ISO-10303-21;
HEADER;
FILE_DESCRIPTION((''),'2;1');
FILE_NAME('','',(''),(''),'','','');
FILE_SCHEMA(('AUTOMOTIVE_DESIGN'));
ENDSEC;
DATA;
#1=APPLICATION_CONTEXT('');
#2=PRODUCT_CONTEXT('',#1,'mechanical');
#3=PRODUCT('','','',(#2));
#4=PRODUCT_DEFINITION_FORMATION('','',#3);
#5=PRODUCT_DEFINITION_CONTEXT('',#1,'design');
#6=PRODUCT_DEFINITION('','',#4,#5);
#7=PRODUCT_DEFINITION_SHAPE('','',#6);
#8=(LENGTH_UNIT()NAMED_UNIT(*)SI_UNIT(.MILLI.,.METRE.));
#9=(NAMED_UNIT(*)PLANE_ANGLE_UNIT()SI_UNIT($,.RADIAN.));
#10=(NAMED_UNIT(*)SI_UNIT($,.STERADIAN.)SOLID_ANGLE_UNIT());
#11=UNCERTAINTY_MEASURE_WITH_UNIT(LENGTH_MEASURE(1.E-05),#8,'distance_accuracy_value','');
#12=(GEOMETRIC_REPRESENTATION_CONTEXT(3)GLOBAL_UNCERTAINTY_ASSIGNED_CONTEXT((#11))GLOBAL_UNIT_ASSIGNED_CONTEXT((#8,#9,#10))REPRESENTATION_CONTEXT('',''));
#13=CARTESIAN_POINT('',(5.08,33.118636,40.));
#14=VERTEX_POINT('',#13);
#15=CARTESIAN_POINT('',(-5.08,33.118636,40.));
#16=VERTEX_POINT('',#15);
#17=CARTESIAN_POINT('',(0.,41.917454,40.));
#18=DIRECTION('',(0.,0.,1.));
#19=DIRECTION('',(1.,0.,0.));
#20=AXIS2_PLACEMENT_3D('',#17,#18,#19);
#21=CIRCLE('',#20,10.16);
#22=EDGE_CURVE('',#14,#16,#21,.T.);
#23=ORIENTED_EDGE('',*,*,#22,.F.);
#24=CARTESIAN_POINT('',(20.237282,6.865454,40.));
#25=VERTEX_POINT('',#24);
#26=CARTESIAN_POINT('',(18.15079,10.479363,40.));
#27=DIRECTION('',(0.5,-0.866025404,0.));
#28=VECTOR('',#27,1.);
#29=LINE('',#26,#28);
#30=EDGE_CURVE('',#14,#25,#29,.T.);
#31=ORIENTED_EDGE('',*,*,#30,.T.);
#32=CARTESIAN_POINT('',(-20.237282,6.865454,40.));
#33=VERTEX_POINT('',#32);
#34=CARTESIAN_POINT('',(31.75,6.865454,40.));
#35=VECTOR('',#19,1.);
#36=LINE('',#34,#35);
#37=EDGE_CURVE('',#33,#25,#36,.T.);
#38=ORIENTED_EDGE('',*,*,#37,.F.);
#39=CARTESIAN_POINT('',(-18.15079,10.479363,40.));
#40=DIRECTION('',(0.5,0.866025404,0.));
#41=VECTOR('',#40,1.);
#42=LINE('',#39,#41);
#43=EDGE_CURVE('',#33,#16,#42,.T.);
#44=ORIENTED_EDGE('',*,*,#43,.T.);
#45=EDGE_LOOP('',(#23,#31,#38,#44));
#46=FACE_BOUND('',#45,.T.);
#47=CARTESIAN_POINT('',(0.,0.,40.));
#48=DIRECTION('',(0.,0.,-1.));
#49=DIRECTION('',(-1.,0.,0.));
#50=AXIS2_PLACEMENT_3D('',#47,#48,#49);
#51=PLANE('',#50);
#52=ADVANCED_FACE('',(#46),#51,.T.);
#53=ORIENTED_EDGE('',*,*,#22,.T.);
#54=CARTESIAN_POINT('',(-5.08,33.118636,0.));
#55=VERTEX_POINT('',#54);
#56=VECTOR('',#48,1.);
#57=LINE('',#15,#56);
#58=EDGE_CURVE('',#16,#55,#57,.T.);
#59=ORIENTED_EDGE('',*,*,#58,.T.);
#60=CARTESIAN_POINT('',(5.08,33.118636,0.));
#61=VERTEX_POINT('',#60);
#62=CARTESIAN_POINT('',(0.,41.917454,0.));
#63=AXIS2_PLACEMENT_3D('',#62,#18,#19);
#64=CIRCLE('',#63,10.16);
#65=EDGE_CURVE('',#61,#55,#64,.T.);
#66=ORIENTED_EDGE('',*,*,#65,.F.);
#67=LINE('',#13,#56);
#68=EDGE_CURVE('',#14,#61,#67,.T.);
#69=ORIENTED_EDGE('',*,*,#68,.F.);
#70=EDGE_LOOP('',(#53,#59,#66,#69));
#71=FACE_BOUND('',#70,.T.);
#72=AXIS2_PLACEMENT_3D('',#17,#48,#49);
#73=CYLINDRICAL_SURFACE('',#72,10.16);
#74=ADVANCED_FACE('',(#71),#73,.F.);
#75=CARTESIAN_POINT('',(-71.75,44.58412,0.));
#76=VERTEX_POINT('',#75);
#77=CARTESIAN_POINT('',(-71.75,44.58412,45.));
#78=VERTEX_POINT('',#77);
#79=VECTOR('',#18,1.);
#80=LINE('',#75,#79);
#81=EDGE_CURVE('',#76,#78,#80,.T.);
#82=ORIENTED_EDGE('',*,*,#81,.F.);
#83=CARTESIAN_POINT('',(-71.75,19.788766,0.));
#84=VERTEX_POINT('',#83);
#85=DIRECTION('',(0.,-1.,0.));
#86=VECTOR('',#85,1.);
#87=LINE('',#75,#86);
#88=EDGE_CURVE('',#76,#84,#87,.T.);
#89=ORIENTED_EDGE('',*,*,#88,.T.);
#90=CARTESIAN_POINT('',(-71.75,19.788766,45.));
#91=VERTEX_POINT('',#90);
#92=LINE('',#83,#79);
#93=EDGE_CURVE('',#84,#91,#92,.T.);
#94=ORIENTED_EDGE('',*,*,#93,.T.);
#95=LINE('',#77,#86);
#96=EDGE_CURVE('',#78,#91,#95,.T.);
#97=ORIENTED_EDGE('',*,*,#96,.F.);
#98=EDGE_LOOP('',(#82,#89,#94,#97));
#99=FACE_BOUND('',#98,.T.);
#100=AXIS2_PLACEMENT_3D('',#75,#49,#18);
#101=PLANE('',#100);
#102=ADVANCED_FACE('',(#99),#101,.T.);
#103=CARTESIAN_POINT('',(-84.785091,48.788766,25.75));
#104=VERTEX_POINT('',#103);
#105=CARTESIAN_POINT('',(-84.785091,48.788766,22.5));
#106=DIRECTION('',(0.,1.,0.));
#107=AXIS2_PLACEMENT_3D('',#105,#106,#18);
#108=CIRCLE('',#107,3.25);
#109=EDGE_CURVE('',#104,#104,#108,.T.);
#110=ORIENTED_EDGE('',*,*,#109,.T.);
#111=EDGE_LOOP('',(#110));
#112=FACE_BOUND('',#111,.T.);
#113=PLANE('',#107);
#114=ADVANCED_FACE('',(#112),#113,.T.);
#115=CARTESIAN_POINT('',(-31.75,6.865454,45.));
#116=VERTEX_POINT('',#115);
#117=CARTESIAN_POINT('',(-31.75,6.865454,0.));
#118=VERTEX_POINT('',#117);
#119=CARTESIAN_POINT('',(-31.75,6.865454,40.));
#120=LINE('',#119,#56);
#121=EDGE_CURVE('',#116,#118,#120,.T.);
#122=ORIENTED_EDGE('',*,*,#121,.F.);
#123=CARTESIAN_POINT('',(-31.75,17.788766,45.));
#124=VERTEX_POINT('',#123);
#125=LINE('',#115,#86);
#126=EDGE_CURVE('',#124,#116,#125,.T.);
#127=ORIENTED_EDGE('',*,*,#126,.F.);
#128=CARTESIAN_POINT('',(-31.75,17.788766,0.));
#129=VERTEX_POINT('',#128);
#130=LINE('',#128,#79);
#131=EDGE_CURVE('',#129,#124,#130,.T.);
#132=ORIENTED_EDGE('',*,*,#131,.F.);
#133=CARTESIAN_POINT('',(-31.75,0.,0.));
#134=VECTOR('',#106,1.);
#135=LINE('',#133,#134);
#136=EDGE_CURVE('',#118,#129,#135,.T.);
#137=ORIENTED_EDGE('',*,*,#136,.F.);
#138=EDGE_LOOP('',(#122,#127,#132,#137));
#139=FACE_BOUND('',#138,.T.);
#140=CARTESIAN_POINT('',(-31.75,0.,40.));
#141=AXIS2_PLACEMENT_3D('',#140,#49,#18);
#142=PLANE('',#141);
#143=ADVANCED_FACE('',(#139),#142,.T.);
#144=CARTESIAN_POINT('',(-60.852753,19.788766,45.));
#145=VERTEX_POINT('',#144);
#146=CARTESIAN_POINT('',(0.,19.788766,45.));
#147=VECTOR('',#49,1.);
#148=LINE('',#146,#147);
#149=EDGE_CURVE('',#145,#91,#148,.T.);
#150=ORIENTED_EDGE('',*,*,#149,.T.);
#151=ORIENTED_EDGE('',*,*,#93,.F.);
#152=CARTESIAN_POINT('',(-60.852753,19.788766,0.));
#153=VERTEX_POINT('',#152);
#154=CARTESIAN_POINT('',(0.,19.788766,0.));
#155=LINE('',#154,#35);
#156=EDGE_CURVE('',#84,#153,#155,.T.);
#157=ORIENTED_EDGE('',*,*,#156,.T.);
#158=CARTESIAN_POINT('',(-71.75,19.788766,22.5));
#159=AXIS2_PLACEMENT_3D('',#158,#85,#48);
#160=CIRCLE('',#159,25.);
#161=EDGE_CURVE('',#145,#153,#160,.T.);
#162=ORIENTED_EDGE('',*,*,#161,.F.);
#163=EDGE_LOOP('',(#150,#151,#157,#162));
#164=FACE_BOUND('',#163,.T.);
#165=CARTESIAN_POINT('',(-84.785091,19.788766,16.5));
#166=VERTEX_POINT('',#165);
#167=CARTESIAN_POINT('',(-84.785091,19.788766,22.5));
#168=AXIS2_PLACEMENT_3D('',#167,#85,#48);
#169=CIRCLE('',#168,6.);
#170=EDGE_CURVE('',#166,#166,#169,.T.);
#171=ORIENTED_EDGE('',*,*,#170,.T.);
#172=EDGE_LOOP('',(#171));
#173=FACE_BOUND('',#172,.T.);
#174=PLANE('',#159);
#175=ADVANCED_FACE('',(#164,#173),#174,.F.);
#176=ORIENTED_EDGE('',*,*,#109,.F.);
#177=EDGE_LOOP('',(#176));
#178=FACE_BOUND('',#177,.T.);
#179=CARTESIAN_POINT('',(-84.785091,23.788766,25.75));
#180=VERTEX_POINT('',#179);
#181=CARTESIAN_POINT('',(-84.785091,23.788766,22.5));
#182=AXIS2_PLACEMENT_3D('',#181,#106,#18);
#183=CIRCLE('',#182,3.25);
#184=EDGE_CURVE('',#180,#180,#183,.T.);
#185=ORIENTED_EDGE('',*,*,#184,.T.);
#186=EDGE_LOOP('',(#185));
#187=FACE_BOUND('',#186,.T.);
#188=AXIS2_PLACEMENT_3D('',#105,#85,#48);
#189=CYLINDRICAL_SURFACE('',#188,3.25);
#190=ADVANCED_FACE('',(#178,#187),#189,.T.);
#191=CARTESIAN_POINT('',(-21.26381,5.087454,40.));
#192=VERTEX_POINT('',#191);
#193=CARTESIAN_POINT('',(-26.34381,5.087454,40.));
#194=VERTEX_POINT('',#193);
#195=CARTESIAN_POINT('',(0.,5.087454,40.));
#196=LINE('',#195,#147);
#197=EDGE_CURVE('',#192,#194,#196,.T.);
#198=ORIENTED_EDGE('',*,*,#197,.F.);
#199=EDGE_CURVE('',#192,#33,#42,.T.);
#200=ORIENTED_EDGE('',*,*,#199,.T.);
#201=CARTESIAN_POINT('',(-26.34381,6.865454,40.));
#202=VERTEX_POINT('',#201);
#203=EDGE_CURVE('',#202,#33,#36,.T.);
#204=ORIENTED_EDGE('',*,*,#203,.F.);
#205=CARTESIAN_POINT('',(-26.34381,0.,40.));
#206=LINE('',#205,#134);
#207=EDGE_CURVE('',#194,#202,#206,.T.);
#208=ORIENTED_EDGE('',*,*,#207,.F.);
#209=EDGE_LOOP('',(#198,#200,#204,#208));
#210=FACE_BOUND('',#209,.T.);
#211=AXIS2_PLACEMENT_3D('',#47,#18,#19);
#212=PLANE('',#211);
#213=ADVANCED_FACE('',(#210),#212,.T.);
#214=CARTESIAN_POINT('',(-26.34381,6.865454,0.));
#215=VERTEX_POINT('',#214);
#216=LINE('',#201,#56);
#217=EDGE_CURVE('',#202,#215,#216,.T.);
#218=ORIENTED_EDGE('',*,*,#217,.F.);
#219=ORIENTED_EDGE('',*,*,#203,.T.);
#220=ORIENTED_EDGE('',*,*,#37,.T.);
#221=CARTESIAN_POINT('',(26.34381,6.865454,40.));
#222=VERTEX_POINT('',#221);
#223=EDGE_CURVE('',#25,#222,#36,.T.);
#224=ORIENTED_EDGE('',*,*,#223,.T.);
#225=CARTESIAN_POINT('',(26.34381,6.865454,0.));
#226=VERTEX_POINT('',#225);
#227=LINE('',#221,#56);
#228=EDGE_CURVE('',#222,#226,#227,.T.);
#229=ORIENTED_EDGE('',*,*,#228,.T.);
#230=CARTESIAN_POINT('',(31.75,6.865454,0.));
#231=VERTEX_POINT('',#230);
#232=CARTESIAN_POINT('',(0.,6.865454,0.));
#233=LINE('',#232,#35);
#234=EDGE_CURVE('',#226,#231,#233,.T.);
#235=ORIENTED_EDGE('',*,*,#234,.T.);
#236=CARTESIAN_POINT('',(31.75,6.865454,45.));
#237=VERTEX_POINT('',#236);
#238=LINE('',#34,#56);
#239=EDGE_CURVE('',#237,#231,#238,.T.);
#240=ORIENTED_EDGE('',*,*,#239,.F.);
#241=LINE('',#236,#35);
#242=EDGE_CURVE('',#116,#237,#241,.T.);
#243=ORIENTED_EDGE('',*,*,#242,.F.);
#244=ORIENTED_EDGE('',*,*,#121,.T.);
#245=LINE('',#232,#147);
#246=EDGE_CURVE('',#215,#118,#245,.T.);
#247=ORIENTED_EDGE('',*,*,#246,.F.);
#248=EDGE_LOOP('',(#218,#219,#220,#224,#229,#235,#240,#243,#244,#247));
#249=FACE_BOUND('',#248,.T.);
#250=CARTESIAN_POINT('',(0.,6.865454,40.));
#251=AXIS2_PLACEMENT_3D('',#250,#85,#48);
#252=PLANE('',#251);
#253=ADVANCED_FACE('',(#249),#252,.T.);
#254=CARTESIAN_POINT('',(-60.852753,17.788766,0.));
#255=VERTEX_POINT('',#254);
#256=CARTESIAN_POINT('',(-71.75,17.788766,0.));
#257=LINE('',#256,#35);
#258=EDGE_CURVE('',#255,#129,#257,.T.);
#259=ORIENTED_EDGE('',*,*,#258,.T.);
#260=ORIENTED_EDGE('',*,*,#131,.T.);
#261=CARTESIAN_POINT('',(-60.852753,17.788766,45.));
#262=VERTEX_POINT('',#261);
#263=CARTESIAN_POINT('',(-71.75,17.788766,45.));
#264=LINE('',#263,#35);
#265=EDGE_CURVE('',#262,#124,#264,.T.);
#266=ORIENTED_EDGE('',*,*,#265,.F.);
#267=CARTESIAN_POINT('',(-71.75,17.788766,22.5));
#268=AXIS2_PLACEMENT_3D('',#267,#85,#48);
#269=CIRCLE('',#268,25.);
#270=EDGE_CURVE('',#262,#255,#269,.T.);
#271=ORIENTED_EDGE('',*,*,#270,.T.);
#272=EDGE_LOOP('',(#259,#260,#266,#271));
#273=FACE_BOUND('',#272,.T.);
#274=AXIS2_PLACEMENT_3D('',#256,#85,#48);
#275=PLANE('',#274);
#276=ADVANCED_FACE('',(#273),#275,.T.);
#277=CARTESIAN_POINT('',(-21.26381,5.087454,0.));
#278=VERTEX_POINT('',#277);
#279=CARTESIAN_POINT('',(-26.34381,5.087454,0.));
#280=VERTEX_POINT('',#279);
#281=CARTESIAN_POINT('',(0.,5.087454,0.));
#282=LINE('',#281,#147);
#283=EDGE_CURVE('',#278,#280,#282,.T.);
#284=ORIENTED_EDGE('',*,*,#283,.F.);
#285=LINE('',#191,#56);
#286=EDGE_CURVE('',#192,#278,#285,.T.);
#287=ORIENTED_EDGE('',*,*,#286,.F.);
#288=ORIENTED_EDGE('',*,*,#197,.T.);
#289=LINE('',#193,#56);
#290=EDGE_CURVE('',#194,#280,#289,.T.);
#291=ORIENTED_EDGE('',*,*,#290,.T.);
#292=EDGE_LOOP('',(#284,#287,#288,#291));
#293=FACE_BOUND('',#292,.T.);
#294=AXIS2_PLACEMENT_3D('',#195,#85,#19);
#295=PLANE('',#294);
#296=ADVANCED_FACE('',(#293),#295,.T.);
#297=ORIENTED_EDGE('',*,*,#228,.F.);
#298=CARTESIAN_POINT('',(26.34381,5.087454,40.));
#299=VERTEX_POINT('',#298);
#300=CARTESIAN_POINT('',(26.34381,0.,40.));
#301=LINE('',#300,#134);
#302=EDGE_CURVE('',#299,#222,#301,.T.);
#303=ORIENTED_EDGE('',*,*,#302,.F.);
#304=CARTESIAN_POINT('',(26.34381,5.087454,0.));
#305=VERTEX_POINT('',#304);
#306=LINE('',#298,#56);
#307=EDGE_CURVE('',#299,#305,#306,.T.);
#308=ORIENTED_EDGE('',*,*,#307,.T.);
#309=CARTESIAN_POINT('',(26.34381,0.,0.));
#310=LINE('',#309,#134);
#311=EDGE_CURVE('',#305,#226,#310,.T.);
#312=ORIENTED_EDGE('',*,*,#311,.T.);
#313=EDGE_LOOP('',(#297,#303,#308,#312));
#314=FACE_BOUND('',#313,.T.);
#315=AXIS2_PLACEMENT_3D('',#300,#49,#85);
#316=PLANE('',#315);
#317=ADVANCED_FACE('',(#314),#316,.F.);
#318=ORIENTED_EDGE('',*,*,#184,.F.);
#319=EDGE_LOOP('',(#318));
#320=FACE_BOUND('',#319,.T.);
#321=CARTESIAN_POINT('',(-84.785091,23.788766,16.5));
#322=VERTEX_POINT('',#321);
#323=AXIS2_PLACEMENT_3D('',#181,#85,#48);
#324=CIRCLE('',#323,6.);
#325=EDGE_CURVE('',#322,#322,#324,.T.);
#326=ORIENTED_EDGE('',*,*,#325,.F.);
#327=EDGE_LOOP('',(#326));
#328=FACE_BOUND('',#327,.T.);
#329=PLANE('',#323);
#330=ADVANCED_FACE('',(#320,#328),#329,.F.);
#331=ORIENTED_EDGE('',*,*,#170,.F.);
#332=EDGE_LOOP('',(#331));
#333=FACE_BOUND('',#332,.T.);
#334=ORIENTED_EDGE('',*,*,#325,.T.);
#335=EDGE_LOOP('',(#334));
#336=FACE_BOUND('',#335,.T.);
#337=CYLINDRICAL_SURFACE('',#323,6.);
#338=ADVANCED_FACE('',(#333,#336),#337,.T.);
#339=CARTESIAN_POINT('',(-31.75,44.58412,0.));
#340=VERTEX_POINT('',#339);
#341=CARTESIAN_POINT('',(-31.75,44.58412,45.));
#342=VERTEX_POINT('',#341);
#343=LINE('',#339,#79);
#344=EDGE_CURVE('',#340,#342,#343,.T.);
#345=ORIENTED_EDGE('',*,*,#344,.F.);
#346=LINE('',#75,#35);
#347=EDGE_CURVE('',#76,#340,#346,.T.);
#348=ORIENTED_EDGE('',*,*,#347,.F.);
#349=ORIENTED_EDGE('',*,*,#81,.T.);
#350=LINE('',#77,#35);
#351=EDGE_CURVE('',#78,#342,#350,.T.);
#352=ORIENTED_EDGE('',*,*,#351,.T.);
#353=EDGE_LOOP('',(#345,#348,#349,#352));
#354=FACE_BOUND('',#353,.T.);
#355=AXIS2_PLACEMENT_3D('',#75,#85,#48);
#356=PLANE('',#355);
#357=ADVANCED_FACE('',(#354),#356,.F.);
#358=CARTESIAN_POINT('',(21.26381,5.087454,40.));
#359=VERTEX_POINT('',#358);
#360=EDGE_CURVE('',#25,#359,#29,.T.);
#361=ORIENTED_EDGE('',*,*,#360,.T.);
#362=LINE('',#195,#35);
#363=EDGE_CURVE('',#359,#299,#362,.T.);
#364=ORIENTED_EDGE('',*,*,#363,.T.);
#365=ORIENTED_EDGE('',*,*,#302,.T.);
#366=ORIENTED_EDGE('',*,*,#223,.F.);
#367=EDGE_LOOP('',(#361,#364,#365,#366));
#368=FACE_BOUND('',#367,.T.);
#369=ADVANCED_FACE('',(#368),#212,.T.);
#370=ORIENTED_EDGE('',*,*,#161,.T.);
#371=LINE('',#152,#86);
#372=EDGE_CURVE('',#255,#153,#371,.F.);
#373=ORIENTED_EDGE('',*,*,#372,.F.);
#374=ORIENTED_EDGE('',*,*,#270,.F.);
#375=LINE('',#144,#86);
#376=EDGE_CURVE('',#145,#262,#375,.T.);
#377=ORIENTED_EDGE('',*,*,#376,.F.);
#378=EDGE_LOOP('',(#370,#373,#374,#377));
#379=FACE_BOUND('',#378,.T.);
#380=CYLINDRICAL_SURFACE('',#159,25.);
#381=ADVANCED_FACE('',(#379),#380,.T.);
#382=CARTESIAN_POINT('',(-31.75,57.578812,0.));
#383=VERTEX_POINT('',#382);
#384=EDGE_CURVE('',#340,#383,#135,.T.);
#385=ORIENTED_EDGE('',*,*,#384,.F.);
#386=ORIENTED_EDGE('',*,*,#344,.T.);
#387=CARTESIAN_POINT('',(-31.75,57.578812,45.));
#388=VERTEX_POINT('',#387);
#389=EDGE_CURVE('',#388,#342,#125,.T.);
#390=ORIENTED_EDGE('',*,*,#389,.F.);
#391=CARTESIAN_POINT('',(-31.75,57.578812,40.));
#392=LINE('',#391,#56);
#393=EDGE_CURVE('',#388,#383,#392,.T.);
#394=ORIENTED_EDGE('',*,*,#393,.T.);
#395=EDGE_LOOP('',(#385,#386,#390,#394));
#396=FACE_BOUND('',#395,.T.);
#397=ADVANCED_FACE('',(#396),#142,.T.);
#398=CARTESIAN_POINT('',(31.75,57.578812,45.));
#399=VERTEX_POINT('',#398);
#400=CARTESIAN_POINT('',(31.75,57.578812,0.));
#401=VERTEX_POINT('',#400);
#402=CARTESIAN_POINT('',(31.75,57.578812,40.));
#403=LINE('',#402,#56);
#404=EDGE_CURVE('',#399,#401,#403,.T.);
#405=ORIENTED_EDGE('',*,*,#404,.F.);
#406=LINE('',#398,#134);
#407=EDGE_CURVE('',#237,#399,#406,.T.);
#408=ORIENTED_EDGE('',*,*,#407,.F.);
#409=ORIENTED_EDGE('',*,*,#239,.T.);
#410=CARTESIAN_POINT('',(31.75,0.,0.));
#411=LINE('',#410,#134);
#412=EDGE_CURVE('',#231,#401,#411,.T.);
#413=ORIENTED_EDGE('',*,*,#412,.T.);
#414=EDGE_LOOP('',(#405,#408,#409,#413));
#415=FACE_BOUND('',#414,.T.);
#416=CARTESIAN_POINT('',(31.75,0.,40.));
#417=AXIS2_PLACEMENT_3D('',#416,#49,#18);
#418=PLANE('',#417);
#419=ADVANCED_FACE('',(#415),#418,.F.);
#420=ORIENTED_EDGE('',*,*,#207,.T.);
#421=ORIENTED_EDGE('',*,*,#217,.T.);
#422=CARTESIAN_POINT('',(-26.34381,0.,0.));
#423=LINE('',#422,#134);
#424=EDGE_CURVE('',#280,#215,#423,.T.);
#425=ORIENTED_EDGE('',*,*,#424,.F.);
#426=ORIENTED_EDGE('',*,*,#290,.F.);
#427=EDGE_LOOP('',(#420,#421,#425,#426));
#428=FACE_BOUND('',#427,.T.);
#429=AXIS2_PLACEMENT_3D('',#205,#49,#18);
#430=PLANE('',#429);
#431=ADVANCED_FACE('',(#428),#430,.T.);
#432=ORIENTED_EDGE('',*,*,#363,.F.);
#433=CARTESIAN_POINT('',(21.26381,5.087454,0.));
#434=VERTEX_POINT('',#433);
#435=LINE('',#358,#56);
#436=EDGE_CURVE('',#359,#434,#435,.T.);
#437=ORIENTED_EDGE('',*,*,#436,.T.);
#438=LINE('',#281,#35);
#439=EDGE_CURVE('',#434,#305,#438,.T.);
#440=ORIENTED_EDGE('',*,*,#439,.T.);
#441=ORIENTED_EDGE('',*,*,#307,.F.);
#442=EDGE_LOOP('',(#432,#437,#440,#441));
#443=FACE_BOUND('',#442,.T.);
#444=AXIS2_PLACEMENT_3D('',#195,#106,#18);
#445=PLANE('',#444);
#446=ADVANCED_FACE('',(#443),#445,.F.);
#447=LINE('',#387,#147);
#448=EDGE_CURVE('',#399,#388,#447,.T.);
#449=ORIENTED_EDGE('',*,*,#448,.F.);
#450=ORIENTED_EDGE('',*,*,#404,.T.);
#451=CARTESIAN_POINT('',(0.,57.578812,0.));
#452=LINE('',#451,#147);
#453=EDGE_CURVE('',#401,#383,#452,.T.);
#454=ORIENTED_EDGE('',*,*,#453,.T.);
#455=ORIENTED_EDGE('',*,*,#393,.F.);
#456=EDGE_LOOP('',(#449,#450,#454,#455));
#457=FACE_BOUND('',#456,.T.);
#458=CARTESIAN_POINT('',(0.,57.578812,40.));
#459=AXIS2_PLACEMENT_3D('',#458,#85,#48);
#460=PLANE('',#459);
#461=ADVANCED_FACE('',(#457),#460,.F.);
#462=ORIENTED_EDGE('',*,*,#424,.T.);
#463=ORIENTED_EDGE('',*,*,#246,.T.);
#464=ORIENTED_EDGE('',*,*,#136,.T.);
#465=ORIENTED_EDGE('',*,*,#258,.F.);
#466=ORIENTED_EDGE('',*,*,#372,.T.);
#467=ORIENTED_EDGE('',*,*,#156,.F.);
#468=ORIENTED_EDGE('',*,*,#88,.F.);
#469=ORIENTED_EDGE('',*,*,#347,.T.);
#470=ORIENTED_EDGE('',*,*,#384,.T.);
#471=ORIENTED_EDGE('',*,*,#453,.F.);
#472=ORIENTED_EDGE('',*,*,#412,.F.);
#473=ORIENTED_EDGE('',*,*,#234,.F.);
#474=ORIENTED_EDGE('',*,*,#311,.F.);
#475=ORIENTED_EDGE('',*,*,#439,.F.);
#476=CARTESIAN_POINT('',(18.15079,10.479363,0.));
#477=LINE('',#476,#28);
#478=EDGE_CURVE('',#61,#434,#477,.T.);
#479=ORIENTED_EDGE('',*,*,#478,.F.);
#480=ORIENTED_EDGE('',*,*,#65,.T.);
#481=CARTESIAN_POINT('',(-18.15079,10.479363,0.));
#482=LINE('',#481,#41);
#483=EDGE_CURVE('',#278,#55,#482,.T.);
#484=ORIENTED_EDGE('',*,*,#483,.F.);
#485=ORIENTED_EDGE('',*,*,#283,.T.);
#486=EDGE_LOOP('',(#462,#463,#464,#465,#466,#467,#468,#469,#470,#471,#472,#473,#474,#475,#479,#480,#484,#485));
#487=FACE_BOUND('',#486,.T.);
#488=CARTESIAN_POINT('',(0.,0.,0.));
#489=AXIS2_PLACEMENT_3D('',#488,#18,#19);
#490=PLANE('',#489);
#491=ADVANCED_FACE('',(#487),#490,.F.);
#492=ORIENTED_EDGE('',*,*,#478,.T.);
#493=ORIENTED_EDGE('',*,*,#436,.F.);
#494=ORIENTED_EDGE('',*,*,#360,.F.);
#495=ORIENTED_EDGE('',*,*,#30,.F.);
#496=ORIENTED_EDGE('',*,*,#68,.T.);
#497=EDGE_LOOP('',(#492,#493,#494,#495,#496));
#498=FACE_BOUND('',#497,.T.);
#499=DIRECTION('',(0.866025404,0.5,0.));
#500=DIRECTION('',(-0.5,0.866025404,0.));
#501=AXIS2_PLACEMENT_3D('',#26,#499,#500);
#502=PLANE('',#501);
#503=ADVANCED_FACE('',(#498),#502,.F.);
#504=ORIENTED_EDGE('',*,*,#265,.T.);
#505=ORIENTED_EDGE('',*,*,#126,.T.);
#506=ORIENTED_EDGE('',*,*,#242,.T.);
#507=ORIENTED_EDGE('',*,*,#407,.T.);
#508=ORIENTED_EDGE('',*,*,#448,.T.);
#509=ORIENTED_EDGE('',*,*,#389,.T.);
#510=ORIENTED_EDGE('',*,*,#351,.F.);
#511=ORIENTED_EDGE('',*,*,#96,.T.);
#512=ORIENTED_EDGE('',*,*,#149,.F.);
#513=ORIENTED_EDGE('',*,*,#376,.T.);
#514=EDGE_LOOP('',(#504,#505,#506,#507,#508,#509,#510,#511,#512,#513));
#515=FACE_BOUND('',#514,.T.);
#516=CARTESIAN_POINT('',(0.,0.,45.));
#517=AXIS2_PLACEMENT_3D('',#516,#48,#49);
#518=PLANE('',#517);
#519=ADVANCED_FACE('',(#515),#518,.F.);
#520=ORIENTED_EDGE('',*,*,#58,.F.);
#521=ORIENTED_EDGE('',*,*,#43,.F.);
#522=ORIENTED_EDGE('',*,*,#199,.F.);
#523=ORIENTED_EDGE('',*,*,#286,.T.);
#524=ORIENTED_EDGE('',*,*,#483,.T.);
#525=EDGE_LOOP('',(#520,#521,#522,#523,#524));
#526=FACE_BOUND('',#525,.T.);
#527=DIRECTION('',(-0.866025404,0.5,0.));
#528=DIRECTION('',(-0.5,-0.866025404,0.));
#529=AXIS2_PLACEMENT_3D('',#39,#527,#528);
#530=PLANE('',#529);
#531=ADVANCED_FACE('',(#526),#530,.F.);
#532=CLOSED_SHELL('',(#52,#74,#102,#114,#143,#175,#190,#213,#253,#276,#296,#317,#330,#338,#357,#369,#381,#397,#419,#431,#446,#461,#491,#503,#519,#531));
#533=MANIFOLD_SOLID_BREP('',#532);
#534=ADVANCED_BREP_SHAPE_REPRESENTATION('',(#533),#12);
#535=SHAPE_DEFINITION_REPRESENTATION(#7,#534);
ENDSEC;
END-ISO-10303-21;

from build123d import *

# Parameters (mm, degrees)
BOSS_EXTRUDE2_DEPTH = 40
SKETCH3_W           = 63.5
SKETCH3_H           = 50.713358162
BOSS_EXTRUDE3_DEPTH = 5
SKETCH5_W           = 40
SKETCH5_H           = 26.795354342
BOSS_EXTRUDE4_DEPTH = 45
SKETCH7_R           = 25
BOSS_EXTRUDE6_DEPTH = 2
SKETCH11_R          = 6
BOSS_EXTRUDE7_DEPTH = 6
SKETCH13_R          = 3.25
BOSS_EXTRUDE8_DEPTH = 25


with BuildPart() as part:
    # Sketch1 → Boss-Extrude2 (new body)
    with BuildSketch(Plane.XY):
        with BuildLine():
            ThreePointArc((5.08, 33.118635635), (0, 52.077453737), (-5.08, 33.118635635))
            Line((-5.08, 33.118635635), (-21.263810414, 5.087453737))
            Line((-21.263810414, 5.087453737), (-26.343810414, 5.087453737))
            Line((-26.343810414, 5.087453737), (-26.343810414, 6.865453737))
            Line((-26.343810414, 6.865453737), (-31.75, 6.865453737))
            Line((-31.75, 6.865453737), (-31.75, 57.578811899))
            Line((-31.75, 57.578811899), (31.75, 57.578811899))
            Line((31.75, 57.578811899), (31.75, 6.865453737))
            Line((31.75, 6.865453737), (26.343810414, 6.865453737))
            Line((26.343810414, 6.865453737), (26.343810414, 5.087453737))
            Line((26.343810414, 5.087453737), (21.263810414, 5.087453737))
            Line((21.263810414, 5.087453737), (5.08, 33.118635635))
        make_face()
    extrude(amount=BOSS_EXTRUDE2_DEPTH)

    # Sketch3 → Boss-Extrude3 (add)
    with BuildSketch(Plane.XY.offset(40)):
        with Locations((0, 32.222132818)):
            Rectangle(SKETCH3_W, SKETCH3_H)
    extrude(amount=BOSS_EXTRUDE3_DEPTH)

    # Sketch5 → Boss-Extrude4 (add)
    with BuildSketch(Plane.XY.offset(45)):
        with Locations((-51.75, 31.186442922)):
            Rectangle(SKETCH5_W, SKETCH5_H)
    extrude(amount=-BOSS_EXTRUDE4_DEPTH)

    # Sketch7 → Boss-Extrude6 (add)
    with BuildSketch(Plane.XZ.offset(-17.788765751)):
        with Locations((-71.75, 22.5)):
            Circle(SKETCH7_R)
    extrude(amount=-BOSS_EXTRUDE6_DEPTH)

    # Sketch11 → Boss-Extrude7 (add)
    with BuildSketch(Plane(origin=(0, 17.788765751, 0), x_dir=(-1, 0, 0), z_dir=(0, -1, 0))):
        with Locations(Location((84.7850913, -22.5, 0), (0, 0, 90))):
            Circle(SKETCH11_R)
    extrude(amount=-BOSS_EXTRUDE7_DEPTH)

    # Sketch13 → Boss-Extrude8 (add)
    with BuildSketch(Plane(origin=(0, 23.788765751, 0), x_dir=(1, 0, 0), z_dir=(0, 1, 0))):
        with Locations(Location((-84.7850913, -22.5, 0), (0, 0, 270))):
            Circle(SKETCH13_R)
    extrude(amount=BOSS_EXTRUDE8_DEPTH)


solid = part.part
